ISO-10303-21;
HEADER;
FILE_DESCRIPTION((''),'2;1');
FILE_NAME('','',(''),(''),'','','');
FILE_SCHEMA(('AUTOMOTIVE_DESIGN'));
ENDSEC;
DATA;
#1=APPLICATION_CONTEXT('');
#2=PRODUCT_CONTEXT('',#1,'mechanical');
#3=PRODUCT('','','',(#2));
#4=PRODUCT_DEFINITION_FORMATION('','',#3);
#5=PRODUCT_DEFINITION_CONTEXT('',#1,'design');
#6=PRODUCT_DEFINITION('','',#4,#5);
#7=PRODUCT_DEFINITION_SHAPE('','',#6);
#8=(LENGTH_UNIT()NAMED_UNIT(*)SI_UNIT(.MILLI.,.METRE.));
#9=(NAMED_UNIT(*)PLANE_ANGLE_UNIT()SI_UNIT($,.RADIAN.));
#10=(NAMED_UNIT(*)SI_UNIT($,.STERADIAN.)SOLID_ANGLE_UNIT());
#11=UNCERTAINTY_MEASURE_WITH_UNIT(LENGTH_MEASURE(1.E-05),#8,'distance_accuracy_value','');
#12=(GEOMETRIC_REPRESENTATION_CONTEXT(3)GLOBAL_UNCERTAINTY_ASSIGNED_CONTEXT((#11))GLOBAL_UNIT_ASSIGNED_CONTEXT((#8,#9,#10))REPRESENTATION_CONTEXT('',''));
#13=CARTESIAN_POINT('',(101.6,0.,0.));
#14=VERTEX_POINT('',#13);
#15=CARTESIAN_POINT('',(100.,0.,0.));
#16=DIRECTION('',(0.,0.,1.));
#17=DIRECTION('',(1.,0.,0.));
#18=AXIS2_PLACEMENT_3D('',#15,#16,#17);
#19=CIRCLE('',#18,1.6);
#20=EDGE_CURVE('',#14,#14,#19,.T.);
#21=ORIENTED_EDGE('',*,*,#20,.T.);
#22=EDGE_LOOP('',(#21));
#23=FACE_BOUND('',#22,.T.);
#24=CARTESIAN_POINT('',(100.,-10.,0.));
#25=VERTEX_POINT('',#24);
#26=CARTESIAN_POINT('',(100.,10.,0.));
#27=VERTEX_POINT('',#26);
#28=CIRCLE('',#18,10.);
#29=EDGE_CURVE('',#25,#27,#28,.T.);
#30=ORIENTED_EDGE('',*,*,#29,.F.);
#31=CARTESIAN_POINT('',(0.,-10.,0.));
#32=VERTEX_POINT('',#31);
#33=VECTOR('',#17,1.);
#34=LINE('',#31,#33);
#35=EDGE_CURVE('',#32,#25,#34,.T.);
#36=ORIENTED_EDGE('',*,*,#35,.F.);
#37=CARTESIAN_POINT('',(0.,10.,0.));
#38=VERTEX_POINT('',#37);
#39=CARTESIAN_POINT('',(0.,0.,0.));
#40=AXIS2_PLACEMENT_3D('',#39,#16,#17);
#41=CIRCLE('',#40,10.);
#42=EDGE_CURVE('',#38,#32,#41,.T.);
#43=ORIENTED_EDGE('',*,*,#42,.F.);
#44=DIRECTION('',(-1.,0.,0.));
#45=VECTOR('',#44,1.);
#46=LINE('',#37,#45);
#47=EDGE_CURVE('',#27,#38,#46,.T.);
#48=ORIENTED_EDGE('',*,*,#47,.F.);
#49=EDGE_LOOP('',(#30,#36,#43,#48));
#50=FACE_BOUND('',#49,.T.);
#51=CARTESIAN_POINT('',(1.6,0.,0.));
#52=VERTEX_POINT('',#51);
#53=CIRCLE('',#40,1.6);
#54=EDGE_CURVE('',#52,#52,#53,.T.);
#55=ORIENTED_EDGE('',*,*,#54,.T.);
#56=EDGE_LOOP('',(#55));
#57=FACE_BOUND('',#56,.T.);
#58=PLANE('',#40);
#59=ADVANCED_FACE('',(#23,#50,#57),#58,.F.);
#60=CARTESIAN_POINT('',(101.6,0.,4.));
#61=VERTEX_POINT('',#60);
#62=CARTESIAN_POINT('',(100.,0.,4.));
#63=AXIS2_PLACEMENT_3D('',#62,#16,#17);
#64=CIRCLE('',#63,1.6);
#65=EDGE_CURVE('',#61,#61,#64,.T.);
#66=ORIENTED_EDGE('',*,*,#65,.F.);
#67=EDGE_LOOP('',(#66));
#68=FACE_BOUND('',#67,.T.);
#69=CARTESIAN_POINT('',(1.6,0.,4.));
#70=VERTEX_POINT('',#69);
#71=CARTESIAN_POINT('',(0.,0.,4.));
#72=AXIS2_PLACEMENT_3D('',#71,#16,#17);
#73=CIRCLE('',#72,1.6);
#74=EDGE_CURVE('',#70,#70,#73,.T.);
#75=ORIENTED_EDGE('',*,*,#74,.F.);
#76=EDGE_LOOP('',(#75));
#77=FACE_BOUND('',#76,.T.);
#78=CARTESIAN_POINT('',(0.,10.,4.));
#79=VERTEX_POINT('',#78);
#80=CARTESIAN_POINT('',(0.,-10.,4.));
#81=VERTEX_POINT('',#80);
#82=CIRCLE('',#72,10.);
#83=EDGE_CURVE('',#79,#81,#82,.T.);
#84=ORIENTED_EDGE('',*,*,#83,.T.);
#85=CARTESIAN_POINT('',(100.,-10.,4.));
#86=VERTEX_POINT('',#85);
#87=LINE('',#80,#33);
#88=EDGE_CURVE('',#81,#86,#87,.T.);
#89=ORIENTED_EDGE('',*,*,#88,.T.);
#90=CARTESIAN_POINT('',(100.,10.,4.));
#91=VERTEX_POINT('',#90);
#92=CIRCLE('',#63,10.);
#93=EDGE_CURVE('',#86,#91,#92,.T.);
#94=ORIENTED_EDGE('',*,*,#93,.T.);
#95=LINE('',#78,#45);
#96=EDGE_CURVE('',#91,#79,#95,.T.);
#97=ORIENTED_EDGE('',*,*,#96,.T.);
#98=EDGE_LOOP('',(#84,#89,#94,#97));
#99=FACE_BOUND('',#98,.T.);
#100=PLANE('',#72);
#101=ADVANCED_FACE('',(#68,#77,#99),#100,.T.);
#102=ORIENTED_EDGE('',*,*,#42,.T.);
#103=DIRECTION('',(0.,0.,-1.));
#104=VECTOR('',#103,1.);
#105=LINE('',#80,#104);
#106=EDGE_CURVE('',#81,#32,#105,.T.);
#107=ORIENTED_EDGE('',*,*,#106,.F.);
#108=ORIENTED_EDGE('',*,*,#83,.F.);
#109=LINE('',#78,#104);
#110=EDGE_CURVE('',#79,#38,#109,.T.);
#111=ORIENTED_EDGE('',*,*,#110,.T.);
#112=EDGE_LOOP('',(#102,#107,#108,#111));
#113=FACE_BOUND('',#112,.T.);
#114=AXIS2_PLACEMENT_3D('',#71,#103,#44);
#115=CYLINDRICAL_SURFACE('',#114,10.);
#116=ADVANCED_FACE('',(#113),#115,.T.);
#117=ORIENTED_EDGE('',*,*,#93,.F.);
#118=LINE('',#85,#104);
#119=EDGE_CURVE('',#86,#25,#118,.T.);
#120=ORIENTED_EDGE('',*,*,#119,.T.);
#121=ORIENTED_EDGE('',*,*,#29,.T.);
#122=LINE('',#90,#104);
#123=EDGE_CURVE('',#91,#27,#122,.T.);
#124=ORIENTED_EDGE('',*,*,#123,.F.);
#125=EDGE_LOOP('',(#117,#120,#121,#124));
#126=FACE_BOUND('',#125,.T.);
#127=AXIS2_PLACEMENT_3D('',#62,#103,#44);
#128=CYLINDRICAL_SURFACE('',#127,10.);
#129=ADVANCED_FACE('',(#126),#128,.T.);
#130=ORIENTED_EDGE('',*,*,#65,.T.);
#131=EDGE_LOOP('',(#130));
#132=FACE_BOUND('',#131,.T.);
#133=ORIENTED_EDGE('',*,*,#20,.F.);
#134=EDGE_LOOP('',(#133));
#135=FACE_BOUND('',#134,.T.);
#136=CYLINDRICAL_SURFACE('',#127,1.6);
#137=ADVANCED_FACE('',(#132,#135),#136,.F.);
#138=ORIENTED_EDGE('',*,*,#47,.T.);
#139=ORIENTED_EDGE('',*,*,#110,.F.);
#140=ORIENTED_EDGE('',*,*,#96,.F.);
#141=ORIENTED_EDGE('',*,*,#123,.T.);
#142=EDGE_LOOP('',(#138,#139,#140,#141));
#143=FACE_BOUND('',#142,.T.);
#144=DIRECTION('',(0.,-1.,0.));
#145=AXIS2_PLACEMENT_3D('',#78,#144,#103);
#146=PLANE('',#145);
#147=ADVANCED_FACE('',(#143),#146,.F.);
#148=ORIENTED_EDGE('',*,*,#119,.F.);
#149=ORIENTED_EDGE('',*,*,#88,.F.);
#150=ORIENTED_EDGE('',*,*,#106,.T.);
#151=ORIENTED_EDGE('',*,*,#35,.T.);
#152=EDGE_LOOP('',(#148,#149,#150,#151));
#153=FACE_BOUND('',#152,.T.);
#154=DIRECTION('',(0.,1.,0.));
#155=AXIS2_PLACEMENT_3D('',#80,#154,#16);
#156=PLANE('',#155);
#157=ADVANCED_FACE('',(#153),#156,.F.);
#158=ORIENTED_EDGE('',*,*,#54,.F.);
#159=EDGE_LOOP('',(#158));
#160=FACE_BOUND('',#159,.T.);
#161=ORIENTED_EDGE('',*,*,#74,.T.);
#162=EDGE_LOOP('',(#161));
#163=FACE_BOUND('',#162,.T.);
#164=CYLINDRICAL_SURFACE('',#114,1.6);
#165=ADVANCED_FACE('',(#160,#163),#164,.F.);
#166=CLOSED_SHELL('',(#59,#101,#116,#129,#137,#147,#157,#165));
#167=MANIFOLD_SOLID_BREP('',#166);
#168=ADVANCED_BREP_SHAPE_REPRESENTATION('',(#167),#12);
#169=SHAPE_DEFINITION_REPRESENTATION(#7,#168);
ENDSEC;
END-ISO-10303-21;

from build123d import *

# Parameters (mm, degrees)
SKETCH_1_R      = 1.6
EXTRUDE_1_DEPTH = 4


with BuildPart() as part:
    # ｽｹｯﾁ1 → ﾎﾞｽ - 押し出し1 (new body)
    with BuildSketch(Plane.XY):
        with BuildLine():
            Line((0, 10), (100, 10))
            ThreePointArc((100, 10), (110, 0), (100, -10))
            Line((100, -10), (0, -10))
            ThreePointArc((0, -10), (-10, 0), (0, 10))
        make_face()
        Circle(SKETCH_1_R, mode=Mode.SUBTRACT)
        with Locations((100, 0)):
            Circle(SKETCH_1_R, mode=Mode.SUBTRACT)
    extrude(amount=EXTRUDE_1_DEPTH)


solid = part.part
